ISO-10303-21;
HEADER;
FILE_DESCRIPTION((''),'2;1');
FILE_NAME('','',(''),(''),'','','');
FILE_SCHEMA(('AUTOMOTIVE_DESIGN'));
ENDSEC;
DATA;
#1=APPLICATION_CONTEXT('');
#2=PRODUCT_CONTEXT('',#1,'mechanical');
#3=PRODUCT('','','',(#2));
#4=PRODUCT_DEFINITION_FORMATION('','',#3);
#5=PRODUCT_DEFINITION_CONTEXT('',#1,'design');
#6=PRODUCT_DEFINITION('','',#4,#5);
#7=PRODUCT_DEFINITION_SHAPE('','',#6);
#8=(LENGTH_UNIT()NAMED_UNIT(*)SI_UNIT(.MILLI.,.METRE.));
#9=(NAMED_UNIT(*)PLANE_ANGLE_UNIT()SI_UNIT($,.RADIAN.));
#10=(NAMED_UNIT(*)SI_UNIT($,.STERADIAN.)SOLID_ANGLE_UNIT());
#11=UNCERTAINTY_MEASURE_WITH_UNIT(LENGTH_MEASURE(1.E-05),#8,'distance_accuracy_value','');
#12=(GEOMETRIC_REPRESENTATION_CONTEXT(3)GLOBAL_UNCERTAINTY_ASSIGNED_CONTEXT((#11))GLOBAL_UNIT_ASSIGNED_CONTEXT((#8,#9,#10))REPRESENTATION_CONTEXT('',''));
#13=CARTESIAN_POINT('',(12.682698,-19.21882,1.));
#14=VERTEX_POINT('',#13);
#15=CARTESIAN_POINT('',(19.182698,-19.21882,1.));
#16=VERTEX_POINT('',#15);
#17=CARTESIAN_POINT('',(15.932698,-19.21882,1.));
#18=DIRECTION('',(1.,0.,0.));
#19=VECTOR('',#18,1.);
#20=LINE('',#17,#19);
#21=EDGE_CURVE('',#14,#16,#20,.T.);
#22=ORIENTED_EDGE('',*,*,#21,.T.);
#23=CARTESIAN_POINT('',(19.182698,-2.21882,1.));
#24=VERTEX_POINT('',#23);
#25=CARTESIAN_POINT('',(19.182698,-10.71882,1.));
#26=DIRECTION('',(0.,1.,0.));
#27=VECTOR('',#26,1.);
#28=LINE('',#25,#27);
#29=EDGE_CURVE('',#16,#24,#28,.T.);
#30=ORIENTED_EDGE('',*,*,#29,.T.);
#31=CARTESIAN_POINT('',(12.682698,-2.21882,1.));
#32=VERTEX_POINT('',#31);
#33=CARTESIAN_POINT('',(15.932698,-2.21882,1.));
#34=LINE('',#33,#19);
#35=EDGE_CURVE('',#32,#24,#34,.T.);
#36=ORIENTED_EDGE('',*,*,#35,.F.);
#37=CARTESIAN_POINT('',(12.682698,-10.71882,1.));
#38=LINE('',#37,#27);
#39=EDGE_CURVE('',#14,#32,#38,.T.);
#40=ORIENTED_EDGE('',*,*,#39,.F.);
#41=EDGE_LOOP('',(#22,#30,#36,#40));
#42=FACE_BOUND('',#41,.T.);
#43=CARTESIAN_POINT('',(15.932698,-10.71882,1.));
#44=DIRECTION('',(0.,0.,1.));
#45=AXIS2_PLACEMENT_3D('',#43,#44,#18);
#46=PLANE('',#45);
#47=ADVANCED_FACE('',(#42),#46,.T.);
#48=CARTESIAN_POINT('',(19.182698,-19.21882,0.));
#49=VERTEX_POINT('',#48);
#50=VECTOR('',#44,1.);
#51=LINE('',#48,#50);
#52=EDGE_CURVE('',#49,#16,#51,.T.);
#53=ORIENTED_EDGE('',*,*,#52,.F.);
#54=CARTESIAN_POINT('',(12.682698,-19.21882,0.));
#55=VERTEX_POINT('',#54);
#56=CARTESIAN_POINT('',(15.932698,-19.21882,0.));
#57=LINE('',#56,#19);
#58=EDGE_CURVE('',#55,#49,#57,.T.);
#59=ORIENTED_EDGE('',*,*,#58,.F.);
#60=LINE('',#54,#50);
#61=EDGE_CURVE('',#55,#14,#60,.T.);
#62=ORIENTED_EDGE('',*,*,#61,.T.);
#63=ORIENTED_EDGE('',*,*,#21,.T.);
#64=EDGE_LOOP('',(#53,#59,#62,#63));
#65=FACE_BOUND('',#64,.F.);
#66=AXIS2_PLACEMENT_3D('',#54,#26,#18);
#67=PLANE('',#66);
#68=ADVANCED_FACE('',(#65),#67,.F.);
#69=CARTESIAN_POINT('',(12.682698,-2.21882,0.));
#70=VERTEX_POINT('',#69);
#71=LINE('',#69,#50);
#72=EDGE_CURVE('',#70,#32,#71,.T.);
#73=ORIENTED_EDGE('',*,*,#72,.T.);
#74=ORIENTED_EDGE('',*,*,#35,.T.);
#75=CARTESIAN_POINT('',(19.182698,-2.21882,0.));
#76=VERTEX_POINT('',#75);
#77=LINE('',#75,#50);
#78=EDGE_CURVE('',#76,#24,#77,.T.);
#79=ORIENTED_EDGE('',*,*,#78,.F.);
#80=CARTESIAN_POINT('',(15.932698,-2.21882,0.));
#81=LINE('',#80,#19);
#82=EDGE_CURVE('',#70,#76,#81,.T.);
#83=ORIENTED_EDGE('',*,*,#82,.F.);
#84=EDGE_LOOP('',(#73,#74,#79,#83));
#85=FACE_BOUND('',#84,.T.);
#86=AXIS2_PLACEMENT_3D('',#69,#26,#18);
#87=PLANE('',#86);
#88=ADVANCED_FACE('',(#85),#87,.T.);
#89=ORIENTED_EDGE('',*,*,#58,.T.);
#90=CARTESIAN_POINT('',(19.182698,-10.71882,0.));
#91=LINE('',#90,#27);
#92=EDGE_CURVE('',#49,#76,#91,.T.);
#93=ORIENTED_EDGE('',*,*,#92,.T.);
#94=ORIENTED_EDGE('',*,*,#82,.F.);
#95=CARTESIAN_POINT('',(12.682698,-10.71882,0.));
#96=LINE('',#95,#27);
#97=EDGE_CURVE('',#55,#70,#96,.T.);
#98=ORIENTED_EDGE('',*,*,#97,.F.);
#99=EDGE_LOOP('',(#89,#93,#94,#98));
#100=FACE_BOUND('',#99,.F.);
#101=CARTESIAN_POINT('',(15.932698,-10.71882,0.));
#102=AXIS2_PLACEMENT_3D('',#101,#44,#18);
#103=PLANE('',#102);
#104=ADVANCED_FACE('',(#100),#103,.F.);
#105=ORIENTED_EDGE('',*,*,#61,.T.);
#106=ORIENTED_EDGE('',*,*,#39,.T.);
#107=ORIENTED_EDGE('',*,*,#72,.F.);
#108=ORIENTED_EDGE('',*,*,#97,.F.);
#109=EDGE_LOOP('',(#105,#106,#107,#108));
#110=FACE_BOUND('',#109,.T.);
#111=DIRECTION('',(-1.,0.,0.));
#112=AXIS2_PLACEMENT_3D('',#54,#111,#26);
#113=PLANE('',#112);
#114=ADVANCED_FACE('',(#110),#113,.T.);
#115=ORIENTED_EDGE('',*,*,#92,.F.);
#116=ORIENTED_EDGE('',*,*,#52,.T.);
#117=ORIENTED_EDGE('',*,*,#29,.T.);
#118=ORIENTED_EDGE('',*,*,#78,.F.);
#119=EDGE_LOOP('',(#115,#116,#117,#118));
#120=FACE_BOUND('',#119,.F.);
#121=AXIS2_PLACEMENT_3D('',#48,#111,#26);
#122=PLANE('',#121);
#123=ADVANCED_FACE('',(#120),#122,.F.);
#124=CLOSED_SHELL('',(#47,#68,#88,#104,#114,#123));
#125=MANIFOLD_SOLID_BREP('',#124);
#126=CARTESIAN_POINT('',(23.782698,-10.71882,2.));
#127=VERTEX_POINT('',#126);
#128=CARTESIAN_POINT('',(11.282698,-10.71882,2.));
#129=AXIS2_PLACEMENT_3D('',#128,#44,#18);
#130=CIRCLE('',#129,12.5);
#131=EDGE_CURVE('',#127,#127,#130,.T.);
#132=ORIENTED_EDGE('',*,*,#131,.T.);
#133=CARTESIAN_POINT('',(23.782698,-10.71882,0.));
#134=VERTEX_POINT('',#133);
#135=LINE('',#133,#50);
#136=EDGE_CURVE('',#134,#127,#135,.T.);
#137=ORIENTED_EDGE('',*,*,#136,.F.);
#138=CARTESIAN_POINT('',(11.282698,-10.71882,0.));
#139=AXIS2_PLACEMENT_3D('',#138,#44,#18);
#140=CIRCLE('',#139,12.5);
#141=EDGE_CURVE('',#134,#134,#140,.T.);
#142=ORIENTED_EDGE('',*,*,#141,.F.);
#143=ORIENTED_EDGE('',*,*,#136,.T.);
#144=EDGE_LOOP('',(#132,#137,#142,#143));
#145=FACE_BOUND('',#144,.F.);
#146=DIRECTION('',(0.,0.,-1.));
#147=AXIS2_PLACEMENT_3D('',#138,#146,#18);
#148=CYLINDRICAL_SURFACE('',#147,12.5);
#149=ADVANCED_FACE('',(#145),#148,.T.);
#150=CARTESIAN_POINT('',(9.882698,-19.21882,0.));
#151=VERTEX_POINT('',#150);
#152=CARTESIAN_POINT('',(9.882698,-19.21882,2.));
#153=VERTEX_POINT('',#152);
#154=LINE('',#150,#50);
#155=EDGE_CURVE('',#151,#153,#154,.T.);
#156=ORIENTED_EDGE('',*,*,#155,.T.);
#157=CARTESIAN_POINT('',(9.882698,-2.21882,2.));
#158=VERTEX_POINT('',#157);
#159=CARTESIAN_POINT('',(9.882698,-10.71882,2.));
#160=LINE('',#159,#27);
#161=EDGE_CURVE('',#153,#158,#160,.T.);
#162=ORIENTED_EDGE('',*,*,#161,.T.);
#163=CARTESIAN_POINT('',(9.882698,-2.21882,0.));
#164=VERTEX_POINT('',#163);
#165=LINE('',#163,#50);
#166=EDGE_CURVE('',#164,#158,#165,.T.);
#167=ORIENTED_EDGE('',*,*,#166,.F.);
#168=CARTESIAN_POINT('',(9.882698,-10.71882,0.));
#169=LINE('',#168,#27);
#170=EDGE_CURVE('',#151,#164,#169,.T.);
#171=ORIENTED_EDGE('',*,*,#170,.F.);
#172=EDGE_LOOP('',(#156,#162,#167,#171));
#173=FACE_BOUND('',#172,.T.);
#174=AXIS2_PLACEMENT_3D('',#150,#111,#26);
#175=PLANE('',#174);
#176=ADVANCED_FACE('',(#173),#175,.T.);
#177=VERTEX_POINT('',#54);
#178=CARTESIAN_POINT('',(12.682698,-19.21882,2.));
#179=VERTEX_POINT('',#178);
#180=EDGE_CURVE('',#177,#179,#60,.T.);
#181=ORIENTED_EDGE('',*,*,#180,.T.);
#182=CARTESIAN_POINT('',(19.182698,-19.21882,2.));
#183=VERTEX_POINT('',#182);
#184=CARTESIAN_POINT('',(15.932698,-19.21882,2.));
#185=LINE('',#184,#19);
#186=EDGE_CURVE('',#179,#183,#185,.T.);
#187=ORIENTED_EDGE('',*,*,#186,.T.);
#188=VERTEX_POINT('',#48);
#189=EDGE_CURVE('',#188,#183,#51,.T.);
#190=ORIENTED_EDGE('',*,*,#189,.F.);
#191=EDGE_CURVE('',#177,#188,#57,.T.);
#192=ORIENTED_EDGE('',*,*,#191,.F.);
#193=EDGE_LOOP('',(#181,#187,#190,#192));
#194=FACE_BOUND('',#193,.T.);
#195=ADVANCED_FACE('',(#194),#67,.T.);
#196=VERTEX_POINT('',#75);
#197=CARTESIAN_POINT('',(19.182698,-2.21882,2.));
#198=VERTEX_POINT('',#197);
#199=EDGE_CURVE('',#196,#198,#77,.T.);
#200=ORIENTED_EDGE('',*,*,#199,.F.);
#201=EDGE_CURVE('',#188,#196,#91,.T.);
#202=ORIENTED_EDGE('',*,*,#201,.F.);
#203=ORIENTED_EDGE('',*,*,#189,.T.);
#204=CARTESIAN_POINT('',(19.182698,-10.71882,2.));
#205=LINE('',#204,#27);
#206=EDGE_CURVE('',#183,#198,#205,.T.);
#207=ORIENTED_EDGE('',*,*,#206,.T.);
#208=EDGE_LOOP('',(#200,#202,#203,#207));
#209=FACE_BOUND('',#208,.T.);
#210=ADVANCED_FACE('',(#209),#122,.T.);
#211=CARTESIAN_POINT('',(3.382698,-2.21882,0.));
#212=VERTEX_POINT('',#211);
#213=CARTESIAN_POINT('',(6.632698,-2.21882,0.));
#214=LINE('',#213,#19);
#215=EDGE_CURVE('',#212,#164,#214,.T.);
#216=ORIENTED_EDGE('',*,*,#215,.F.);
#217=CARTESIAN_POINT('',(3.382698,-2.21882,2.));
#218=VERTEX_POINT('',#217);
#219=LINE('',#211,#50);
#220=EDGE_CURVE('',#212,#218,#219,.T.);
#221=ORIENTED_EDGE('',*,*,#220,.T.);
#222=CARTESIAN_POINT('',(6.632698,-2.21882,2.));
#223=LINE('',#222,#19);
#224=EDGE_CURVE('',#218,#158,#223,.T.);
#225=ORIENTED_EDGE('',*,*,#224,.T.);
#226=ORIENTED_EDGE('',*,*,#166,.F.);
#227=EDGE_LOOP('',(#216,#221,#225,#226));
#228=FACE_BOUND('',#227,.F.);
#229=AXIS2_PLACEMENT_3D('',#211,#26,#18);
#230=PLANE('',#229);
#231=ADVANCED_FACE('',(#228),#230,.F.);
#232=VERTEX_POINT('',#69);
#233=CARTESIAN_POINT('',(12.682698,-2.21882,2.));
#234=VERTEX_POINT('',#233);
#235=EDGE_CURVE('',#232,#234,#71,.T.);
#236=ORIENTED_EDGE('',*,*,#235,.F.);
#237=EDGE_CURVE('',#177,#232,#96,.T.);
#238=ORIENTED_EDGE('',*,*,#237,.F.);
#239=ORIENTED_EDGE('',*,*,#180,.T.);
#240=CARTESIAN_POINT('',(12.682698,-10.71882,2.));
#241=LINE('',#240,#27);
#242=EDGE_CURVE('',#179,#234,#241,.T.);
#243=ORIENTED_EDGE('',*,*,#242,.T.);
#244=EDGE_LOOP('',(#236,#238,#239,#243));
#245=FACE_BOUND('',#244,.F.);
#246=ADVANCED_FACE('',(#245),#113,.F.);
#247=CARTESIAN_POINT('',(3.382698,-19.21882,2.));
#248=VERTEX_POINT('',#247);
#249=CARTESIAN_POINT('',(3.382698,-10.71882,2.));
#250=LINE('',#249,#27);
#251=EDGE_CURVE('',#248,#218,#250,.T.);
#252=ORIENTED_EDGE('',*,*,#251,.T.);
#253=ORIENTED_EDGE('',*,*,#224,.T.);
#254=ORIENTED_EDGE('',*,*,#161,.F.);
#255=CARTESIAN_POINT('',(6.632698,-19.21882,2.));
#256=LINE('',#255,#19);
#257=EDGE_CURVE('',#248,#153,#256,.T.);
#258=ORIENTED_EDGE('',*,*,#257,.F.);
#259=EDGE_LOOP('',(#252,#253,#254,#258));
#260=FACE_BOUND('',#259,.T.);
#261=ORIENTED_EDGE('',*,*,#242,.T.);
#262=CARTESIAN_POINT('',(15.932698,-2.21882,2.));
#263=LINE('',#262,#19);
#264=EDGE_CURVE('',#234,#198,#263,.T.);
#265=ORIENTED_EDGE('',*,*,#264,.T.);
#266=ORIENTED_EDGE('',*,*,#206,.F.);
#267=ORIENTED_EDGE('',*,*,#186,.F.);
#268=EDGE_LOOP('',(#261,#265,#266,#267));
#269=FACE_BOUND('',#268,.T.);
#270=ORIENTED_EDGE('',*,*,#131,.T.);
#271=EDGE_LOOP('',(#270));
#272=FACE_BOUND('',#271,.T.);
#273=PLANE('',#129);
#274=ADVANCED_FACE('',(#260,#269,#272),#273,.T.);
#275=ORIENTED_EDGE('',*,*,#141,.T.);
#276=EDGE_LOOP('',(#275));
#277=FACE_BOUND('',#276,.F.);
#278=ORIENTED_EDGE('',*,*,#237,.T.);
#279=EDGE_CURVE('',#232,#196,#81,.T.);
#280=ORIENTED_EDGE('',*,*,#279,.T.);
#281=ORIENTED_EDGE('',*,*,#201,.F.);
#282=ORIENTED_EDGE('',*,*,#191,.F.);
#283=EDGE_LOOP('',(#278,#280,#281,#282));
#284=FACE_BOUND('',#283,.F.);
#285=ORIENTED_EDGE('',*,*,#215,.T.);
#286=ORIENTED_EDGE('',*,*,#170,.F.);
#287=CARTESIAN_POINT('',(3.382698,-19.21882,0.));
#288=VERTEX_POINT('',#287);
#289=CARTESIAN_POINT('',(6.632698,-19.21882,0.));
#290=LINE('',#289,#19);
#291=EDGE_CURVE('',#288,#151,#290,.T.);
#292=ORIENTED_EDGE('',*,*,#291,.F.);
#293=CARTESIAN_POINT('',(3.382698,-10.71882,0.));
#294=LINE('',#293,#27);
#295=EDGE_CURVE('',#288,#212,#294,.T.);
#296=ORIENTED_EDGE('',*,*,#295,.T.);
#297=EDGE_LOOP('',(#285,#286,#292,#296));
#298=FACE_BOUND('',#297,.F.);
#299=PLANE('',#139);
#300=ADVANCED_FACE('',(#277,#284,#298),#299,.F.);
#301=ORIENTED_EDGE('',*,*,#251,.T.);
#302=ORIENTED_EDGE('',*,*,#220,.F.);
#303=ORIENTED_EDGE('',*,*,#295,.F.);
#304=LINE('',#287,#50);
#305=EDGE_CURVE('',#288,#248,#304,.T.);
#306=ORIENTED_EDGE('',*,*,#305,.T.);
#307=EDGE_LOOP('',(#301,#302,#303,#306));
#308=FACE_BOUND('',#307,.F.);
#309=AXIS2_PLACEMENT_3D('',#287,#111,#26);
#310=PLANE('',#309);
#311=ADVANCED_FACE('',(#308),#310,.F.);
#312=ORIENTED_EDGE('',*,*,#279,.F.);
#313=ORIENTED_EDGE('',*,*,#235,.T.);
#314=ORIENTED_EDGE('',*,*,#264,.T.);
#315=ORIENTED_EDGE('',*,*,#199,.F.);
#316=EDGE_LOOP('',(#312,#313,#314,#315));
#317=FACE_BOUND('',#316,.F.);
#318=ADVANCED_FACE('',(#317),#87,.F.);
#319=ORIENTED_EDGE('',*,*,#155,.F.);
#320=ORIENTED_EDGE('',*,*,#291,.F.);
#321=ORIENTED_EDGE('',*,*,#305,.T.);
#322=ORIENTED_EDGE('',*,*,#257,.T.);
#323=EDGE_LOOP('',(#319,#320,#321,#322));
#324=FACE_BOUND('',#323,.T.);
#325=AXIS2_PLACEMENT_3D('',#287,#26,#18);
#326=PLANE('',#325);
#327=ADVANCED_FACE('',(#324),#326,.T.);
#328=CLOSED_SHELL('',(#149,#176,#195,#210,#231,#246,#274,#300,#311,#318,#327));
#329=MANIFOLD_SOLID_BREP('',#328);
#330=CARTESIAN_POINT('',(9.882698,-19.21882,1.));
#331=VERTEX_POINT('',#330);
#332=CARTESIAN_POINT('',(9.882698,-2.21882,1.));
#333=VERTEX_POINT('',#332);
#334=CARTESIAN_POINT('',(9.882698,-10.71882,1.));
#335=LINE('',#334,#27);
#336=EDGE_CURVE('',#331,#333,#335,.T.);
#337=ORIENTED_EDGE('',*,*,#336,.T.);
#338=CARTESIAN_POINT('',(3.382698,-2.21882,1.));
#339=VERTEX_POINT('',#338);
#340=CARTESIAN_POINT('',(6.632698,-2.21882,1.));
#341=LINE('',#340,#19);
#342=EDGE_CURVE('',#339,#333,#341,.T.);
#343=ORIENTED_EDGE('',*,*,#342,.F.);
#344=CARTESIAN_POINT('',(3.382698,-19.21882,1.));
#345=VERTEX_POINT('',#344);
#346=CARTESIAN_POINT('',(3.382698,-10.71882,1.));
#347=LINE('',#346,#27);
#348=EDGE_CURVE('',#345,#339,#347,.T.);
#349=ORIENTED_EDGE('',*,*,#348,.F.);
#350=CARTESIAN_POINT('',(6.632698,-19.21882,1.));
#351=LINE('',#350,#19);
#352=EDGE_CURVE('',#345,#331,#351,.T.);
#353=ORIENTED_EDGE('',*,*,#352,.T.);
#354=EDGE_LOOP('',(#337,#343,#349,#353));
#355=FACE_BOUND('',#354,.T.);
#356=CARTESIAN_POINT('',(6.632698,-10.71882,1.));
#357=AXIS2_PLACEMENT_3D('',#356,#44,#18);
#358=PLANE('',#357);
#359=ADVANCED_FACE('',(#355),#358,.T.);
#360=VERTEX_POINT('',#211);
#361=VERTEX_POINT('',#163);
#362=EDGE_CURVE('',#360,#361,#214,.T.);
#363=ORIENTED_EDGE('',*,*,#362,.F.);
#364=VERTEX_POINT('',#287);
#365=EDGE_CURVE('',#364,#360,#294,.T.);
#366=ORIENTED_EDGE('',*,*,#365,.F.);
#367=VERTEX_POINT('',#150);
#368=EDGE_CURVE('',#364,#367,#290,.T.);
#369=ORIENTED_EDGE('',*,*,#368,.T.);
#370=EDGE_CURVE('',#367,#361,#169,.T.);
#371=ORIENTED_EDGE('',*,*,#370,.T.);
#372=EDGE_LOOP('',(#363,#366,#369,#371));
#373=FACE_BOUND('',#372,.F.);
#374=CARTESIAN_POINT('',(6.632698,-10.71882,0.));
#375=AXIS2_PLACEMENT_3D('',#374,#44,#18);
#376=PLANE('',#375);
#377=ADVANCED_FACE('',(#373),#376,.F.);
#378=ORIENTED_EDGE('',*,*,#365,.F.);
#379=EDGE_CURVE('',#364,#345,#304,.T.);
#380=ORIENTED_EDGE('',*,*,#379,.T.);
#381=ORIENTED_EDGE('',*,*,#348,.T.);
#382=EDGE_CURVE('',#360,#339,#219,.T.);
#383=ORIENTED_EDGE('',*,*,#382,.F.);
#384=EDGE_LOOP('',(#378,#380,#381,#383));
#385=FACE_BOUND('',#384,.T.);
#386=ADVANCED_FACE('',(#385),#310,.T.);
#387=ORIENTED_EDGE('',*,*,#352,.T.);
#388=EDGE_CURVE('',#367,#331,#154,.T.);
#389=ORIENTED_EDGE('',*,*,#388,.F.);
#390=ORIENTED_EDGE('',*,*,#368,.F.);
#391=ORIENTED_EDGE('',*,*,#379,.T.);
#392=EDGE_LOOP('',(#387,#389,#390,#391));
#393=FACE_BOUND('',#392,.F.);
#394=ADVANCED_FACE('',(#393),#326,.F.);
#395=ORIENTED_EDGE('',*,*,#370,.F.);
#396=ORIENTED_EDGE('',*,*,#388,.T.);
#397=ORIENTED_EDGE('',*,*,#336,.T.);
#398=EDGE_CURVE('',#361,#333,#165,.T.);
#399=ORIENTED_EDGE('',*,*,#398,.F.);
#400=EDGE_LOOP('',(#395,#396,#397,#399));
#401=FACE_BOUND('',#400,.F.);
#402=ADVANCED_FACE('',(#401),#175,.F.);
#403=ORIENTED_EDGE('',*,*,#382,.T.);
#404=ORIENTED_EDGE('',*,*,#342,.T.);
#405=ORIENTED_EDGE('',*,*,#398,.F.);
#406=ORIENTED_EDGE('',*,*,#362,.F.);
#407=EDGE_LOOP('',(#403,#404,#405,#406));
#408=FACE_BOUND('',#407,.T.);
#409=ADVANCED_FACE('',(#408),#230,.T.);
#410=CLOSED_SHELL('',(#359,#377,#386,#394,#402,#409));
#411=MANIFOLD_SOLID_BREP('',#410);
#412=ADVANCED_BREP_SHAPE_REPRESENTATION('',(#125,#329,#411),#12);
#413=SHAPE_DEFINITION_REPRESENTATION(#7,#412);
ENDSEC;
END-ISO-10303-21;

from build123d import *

# Parameters (mm, degrees)
F0_W     = 6.5
F0_H     = 17
F1_DEPTH = 1
F0_R     = 12.5
F2_DEPTH = 2


with BuildPart() as f1:
    # F0 (on Top) → F1 (new body)
    with BuildSketch(Plane.XY):
        with Locations((6.632698, -10.71882)):
            Rectangle(F0_W, F0_H)
        with Locations((15.932698, -10.71882)):
            Rectangle(F0_W, F0_H)
    extrude(amount=F1_DEPTH)


with BuildPart() as f2:
    # F0 (on Top) → F2 (new body)
    with BuildSketch(Plane.XY):
        with Locations((11.282698, -10.71882)):
            Circle(F0_R)
        with Locations((6.632698, -10.71882)):
            Rectangle(F0_W, F0_H, mode=Mode.SUBTRACT)
        with Locations((15.932698, -10.71882)):
            Rectangle(F0_W, F0_H, mode=Mode.SUBTRACT)
    extrude(amount=F2_DEPTH)


solid = Compound([f1.part, f2.part])
